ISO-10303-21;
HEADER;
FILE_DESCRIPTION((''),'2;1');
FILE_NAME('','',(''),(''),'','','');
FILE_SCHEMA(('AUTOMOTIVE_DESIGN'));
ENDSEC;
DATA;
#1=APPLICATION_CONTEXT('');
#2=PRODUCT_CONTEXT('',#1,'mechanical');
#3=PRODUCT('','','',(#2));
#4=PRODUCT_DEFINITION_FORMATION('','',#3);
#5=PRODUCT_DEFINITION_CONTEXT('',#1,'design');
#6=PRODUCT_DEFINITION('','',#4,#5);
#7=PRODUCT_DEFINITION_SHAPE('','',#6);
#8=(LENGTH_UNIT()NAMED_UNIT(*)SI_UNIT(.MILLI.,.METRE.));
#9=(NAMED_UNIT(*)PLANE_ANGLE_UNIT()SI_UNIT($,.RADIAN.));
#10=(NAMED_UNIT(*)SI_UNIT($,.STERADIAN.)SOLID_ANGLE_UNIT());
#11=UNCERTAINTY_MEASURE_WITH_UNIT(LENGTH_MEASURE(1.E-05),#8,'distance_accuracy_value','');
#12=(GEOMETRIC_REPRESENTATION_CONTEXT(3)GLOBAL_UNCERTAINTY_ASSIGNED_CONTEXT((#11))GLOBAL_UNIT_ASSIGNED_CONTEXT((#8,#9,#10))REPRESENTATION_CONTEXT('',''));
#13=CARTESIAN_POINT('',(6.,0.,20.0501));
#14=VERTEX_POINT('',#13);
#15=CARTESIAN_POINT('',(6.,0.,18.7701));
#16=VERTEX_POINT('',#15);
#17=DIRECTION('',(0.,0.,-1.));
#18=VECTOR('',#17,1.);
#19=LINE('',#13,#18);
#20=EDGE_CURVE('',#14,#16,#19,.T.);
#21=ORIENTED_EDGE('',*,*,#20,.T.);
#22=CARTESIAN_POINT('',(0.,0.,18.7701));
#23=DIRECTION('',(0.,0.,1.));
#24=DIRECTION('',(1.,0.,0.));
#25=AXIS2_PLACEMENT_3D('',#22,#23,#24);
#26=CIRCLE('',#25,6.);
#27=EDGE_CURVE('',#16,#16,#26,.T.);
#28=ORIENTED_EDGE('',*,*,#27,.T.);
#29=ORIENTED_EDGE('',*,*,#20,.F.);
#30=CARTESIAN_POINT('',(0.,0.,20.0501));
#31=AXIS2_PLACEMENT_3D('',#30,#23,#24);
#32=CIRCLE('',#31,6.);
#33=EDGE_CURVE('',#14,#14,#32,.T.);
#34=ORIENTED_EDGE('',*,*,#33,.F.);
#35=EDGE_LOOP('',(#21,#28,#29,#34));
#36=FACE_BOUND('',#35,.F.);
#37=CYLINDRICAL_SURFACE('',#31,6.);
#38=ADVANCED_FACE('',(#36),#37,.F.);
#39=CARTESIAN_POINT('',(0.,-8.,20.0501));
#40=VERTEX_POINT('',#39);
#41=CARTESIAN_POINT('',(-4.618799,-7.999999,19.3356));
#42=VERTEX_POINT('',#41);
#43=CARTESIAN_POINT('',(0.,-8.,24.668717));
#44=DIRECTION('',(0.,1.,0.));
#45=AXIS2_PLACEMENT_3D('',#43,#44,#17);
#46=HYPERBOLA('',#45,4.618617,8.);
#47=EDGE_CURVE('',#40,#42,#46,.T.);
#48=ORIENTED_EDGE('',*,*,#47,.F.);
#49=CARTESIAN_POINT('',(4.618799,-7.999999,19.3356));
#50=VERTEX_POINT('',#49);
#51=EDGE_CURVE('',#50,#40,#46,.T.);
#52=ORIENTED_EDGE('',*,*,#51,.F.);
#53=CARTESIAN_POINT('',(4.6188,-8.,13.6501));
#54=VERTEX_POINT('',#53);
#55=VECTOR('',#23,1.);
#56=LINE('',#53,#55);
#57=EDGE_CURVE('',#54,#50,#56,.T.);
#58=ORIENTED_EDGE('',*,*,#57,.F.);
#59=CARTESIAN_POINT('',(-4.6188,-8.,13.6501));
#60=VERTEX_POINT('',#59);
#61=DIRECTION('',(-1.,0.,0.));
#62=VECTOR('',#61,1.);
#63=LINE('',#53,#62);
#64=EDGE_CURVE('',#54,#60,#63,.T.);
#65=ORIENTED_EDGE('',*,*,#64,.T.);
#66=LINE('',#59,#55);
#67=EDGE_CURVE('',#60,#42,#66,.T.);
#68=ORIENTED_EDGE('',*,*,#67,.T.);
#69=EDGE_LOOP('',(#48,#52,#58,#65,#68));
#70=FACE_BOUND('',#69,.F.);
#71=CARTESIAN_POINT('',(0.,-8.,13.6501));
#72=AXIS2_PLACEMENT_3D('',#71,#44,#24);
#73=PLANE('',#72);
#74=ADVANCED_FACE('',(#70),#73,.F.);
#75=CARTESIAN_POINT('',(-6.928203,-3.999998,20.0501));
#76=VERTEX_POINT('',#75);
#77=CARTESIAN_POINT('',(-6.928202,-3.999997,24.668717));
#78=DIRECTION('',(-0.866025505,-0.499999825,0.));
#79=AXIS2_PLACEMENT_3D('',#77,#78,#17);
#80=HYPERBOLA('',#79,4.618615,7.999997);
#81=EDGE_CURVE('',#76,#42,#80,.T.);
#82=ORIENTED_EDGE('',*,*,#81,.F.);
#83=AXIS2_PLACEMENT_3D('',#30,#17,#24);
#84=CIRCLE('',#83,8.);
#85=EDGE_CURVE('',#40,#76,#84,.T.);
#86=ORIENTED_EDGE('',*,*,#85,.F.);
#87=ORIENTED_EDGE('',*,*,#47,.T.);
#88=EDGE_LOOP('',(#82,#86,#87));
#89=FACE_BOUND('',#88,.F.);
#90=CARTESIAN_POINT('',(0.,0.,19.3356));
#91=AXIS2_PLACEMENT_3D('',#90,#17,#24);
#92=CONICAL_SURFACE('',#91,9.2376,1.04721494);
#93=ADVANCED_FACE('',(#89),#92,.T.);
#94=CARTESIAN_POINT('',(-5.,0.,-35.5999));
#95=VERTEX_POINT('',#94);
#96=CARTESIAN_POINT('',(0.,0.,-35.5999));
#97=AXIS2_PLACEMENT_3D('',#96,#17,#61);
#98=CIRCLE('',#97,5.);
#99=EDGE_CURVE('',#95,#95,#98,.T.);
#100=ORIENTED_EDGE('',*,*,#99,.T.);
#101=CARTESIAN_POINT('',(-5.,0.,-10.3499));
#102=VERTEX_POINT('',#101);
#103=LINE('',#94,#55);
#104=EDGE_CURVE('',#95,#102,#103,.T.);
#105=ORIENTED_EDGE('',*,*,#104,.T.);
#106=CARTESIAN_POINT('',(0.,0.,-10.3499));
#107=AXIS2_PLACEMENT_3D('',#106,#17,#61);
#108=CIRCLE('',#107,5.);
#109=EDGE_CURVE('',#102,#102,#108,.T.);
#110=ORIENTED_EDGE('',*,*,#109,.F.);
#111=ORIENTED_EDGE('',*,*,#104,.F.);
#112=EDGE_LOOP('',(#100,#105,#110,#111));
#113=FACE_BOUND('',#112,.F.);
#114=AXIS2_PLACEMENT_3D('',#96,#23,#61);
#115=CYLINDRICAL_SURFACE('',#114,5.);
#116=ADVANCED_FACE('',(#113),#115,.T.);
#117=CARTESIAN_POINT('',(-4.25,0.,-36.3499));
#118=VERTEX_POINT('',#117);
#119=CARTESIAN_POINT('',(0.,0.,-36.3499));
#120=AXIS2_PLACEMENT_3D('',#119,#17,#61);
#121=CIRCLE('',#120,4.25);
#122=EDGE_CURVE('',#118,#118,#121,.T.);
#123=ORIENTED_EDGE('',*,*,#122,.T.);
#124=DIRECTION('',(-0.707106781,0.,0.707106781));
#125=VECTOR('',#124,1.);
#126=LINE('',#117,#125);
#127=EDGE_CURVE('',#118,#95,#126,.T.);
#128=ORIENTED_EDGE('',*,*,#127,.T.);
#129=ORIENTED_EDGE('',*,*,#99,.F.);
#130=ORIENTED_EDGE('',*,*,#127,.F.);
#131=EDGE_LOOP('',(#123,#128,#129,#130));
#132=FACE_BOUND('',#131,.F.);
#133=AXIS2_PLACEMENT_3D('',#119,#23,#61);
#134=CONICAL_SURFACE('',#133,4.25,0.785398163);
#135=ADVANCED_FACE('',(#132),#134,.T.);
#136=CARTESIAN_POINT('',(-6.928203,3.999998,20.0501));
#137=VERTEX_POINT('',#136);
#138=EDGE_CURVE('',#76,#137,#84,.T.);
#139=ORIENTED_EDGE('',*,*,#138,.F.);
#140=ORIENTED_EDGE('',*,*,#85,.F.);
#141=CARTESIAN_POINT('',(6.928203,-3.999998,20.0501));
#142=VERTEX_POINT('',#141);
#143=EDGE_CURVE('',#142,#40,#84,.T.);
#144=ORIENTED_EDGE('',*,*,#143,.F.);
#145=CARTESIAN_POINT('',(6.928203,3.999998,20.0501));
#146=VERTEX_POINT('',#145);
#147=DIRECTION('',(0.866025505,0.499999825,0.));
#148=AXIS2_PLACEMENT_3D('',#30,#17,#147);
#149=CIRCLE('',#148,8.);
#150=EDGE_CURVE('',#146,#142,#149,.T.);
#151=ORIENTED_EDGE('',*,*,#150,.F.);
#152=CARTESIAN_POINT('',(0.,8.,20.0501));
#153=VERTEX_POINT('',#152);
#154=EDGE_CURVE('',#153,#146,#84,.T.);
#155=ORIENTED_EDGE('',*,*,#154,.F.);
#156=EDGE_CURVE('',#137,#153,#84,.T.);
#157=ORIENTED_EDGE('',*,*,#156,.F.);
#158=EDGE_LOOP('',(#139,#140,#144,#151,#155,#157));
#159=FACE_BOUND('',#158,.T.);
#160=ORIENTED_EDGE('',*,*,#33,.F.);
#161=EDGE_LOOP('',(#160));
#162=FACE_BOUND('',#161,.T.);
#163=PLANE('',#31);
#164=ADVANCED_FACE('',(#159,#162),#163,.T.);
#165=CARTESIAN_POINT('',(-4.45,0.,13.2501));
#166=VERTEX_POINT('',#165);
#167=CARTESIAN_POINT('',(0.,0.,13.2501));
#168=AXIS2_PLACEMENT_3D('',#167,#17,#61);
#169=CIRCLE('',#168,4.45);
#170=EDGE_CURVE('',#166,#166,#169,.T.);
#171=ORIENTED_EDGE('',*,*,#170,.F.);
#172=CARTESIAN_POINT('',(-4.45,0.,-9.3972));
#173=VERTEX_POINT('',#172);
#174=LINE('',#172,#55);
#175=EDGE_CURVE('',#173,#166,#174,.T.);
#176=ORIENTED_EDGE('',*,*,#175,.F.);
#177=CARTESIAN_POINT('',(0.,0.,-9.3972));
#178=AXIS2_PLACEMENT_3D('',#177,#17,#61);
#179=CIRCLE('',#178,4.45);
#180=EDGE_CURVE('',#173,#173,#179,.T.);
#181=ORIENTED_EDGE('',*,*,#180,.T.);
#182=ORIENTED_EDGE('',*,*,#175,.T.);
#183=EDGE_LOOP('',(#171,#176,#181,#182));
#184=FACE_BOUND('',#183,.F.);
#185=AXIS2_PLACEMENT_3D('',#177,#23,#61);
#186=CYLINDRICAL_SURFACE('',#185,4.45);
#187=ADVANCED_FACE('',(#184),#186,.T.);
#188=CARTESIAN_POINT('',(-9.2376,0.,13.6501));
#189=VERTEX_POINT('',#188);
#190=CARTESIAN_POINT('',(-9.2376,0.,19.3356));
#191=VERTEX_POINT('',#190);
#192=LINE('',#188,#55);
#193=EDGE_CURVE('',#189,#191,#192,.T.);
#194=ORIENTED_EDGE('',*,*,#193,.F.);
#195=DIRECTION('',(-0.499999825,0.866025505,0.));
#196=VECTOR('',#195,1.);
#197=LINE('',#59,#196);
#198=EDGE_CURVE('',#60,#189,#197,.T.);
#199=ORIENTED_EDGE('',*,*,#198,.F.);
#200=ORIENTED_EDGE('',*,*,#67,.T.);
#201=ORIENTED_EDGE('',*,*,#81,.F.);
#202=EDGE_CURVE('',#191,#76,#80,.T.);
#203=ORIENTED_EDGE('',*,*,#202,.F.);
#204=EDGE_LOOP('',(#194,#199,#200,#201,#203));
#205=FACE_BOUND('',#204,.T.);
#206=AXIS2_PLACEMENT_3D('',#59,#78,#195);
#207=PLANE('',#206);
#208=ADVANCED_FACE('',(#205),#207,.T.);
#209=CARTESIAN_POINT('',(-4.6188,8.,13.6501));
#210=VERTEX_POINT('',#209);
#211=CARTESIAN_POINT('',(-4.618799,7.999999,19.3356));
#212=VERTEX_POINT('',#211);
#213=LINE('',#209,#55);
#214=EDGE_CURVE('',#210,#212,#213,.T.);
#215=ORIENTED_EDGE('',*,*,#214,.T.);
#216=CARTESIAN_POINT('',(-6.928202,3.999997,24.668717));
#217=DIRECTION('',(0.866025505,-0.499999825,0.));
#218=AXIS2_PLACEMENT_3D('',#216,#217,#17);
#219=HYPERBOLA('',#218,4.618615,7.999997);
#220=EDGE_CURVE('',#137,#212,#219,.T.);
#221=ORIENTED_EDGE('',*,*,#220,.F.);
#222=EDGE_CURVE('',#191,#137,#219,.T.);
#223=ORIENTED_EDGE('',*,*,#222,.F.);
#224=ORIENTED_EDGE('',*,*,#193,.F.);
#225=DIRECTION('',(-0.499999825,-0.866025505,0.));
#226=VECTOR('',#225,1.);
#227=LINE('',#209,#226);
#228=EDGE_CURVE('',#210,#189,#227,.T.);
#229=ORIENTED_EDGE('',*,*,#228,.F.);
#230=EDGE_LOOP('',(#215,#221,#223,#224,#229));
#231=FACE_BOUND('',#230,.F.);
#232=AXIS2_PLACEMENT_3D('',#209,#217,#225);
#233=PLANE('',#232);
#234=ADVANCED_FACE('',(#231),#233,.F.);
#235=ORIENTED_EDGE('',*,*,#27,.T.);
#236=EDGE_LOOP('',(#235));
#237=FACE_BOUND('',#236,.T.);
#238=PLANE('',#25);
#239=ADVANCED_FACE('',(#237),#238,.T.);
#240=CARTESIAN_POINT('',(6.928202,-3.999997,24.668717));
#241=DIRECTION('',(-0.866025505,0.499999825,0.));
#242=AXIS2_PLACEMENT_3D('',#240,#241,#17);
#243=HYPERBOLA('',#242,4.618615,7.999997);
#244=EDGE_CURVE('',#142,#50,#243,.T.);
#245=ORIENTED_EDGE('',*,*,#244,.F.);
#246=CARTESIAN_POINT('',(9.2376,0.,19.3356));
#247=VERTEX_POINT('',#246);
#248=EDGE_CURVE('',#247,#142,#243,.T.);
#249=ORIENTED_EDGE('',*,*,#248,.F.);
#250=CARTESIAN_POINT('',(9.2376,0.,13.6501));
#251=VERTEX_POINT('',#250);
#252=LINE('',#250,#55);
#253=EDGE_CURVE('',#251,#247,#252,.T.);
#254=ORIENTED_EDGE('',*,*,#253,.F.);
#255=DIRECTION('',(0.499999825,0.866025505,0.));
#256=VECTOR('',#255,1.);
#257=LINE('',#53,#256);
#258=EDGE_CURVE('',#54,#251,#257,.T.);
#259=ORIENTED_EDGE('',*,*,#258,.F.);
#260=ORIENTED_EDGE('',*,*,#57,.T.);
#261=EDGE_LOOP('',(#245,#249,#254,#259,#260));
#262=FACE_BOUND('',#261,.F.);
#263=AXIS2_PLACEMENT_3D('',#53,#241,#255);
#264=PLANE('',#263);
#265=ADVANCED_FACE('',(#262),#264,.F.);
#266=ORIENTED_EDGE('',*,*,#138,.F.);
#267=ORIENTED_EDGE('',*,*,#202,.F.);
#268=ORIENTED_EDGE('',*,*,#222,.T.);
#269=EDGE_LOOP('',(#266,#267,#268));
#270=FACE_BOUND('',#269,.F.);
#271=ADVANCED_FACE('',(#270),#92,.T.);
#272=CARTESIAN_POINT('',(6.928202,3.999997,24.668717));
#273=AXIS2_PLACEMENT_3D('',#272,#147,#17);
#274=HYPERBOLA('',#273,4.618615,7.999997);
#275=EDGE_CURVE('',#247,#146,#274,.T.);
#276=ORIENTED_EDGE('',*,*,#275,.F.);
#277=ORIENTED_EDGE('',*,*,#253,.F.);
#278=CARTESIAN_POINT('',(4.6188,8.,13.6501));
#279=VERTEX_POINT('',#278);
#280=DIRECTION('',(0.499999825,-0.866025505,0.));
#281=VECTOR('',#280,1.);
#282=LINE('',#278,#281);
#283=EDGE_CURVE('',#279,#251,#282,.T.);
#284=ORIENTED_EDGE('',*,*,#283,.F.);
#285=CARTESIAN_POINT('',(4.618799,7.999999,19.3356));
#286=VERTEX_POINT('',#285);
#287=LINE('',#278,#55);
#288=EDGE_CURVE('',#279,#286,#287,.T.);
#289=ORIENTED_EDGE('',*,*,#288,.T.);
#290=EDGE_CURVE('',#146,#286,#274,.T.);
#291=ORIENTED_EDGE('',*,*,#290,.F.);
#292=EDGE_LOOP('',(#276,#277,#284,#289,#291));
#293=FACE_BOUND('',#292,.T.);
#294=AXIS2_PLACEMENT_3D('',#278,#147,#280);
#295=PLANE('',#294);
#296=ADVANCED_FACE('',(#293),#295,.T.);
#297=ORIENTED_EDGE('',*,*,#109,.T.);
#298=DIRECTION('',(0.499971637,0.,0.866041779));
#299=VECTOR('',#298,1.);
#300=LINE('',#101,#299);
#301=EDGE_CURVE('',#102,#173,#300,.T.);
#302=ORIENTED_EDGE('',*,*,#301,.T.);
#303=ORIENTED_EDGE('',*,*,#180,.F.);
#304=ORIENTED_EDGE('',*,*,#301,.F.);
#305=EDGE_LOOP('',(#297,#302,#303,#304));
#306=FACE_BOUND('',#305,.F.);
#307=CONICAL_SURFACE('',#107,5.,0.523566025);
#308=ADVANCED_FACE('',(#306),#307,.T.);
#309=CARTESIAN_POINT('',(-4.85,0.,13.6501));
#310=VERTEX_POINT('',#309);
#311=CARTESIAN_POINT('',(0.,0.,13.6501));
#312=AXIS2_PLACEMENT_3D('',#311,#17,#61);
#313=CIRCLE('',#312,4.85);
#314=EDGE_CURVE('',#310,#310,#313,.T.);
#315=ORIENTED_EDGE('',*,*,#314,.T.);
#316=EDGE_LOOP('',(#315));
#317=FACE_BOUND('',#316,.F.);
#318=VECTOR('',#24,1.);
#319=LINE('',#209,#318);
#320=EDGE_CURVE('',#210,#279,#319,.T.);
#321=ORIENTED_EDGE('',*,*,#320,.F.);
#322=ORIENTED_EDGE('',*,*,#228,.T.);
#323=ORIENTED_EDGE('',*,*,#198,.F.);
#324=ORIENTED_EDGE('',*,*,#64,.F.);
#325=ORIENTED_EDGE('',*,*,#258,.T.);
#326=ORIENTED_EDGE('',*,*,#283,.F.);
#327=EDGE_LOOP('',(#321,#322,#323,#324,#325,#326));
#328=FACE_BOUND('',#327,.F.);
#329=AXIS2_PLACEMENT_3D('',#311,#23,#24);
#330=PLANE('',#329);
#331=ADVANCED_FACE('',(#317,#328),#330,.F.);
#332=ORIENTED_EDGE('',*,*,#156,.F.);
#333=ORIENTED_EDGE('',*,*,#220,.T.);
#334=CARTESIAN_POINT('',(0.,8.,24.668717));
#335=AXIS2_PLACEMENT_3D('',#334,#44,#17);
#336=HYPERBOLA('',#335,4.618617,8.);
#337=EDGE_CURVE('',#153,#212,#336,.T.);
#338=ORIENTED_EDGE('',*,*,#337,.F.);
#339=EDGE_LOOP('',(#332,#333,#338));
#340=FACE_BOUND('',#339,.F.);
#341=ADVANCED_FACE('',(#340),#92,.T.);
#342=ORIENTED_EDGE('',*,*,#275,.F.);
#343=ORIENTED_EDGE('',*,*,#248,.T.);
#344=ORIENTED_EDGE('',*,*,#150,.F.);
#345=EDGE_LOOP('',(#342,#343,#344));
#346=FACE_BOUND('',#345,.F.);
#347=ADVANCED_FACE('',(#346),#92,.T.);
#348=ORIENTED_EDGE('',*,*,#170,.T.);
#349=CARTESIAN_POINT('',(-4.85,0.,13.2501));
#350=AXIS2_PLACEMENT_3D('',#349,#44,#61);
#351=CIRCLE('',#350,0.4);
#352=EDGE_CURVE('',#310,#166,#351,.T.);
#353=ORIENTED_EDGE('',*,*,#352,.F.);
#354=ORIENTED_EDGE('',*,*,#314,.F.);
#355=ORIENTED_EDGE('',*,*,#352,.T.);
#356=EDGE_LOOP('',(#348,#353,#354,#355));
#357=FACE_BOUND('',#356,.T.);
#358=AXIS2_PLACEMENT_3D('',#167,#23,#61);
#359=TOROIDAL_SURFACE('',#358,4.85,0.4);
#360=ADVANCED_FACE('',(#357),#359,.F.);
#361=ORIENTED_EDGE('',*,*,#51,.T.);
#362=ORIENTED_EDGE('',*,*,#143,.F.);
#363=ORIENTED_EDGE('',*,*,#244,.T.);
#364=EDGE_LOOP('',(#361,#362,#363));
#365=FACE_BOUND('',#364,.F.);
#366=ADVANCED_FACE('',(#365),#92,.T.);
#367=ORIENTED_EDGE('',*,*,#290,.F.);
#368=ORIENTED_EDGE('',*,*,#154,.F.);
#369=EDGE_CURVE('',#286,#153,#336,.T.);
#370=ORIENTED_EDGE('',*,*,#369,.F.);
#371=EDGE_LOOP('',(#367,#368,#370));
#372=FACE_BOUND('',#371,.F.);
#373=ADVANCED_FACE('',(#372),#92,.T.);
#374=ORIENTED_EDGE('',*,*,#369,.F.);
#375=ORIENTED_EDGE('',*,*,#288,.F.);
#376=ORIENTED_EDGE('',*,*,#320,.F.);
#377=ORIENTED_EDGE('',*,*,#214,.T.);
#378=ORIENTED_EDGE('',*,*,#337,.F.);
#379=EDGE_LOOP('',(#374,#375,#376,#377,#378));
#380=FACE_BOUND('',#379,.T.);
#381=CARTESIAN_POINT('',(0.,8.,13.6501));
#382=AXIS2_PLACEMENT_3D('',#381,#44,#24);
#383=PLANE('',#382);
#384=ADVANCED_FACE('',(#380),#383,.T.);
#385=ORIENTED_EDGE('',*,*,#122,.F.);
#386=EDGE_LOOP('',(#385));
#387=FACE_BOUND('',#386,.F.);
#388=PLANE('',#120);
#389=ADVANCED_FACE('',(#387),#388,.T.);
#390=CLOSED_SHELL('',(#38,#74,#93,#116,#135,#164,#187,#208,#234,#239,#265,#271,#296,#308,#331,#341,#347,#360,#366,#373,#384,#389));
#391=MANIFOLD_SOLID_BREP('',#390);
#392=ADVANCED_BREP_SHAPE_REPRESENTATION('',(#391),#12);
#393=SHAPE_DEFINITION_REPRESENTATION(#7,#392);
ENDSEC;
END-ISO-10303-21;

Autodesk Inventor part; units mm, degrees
ref_plane "YZ Plane" through (0, 0, 0) normal (1, 0, 0) x (0, 1, 0)
sketch "Sketch2" plane through (0, 0, 0) normal (0, 1, 0) x (-1, 0, 0)
  line L0 (0, 13.6501) -> (0, -36.3499)
  line L1 (0, -36.3499) -> (4.25, -36.3499)
  line L2 (5, -35.5999) -> (5, -10.3499)
  line L3 (5, -10.3499) -> (4.45, -9.3972)
  line L4 (4.45, -9.3972) -> (4.45, 13.6501)
  line L5 (4.45, 13.6501) -> (0, 13.6501)
  line L6 (4.25, -36.3499) -> (5, -35.5999)
  line L7 (5, -36.3499) -> (5, -37.4105)
  line L8 (0, -47.6227) -> (0, 23.8623) projected
  dimension "Ds" = 8.9
  dimension "NND" = 10
  dimension "b" = 26
  dimension "d3" = 30
  dimension "d5" = 45
  dimension "PTC" = 1.5
  dimension "NLG" = 50
revolve "Revolution1" add sketch "Sketch2" angle 360 about axis through (0, 0, 13.6501) along (0, 0, -1)
sketch "Sketch3" plane through (0, 0, 13.6501) normal (0, 0, 1) x (1, 0, 0)
  circle A0 centre (0, 0) radius 4.45 projected
  line L0 (0, 8) -> (4.6188, 8)
  line L1 (4.6188, 8) -> (9.2376, 0)
  line L2 (9.2376, 0) -> (0, 0)
  line L3 (0, 0) -> (0, 8)
  line L4 (0, 8) -> (-4.6188, 8)
  line L5 (-4.6188, 8) -> (-9.2376, 0)
  line L6 (0, -8) -> (4.6188, -8)
  line L7 (4.6188, -8) -> (9.2376, 0)
  line L8 (-4.6188, -8) -> (-9.2376, 0)
  line L9 (0, -8) -> (-4.6188, -8)
  dimension "d9" = 60
  dimension "ParS" = 16
  dimension "msp_d11" = 16
extrude "Extrusion1" add sketch "Sketch3" along normal blind 6.4
sketch "Sketch4" plane through (0, 0, 0) normal (0, 1, 0) x (-1, 0, 0)
  line L0 (-8, 20.0501) -> (-9.2376, 20.0501)
  line L1 (-9.2376, 20.0501) -> (-9.2376, 19.3356)
  line L2 (-9.2376, 19.3356) -> (-8, 20.0501)
  line L3 (0, 10.8015) -> (0, 30.7419) projected
  line L4 (0, 27.8933) -> (0, 27.1787)
  line L5 (-9.2376, 13.6501) -> (-9.2376, 20.0501) projected
  line L6 (-4.6188, 20.0501) -> (-9.2376, 20.0501) projected
  dimension "d14" = 30
  dimension "msp_d15" = 16
revolve "Revolution2" cut sketch "Sketch4" angle 360 about axis through (0, 0, 27.8933) along (0, 0, -1)
sketch "Sketch5" plane through (0, 0, 20.0501) normal (0, 0, 1) x (1, 0, 0)
  arc A0 (6.9282, 4) -> (0, 8) centre (0, 0) ccw projected
  circle A1 centre (0, 0) radius 6
  dimension "d27" = 12
extrude "Extrusion2" cut sketch "Sketch5" against normal blind 1.28
thread "Thread1" size "M10x1.5" class "6g" standard "ISO Metric profile" full length
ref_plane "MSC_PF1" through (0, 0, 0) normal (0, 1, 0) x (-1, 0, 0)
ref_plane "MSC_PT1" through (0, 0, 13.6501) normal (0, 0, -1) x (-1, 0, 0)
fillet "Fillet1" radius 0.4 1 edges at (4.45, 0, 13.6501)
equation "\"msp_d11\" = ParS"
equation "\"msp_d15\" = ParS"
equation "\"d27\" = 0.75 * ParS"
equation "\"d28\" = 0.2 * ParK"
equation "\"d30\" = r"
equation "\"msp_d17\" = b"
equation "\"r\" = 0.4"
equation "\"ParK\" = 6.4"
properties part number "CSN EN 24015 - M10x50" material "Steel, Mild"
